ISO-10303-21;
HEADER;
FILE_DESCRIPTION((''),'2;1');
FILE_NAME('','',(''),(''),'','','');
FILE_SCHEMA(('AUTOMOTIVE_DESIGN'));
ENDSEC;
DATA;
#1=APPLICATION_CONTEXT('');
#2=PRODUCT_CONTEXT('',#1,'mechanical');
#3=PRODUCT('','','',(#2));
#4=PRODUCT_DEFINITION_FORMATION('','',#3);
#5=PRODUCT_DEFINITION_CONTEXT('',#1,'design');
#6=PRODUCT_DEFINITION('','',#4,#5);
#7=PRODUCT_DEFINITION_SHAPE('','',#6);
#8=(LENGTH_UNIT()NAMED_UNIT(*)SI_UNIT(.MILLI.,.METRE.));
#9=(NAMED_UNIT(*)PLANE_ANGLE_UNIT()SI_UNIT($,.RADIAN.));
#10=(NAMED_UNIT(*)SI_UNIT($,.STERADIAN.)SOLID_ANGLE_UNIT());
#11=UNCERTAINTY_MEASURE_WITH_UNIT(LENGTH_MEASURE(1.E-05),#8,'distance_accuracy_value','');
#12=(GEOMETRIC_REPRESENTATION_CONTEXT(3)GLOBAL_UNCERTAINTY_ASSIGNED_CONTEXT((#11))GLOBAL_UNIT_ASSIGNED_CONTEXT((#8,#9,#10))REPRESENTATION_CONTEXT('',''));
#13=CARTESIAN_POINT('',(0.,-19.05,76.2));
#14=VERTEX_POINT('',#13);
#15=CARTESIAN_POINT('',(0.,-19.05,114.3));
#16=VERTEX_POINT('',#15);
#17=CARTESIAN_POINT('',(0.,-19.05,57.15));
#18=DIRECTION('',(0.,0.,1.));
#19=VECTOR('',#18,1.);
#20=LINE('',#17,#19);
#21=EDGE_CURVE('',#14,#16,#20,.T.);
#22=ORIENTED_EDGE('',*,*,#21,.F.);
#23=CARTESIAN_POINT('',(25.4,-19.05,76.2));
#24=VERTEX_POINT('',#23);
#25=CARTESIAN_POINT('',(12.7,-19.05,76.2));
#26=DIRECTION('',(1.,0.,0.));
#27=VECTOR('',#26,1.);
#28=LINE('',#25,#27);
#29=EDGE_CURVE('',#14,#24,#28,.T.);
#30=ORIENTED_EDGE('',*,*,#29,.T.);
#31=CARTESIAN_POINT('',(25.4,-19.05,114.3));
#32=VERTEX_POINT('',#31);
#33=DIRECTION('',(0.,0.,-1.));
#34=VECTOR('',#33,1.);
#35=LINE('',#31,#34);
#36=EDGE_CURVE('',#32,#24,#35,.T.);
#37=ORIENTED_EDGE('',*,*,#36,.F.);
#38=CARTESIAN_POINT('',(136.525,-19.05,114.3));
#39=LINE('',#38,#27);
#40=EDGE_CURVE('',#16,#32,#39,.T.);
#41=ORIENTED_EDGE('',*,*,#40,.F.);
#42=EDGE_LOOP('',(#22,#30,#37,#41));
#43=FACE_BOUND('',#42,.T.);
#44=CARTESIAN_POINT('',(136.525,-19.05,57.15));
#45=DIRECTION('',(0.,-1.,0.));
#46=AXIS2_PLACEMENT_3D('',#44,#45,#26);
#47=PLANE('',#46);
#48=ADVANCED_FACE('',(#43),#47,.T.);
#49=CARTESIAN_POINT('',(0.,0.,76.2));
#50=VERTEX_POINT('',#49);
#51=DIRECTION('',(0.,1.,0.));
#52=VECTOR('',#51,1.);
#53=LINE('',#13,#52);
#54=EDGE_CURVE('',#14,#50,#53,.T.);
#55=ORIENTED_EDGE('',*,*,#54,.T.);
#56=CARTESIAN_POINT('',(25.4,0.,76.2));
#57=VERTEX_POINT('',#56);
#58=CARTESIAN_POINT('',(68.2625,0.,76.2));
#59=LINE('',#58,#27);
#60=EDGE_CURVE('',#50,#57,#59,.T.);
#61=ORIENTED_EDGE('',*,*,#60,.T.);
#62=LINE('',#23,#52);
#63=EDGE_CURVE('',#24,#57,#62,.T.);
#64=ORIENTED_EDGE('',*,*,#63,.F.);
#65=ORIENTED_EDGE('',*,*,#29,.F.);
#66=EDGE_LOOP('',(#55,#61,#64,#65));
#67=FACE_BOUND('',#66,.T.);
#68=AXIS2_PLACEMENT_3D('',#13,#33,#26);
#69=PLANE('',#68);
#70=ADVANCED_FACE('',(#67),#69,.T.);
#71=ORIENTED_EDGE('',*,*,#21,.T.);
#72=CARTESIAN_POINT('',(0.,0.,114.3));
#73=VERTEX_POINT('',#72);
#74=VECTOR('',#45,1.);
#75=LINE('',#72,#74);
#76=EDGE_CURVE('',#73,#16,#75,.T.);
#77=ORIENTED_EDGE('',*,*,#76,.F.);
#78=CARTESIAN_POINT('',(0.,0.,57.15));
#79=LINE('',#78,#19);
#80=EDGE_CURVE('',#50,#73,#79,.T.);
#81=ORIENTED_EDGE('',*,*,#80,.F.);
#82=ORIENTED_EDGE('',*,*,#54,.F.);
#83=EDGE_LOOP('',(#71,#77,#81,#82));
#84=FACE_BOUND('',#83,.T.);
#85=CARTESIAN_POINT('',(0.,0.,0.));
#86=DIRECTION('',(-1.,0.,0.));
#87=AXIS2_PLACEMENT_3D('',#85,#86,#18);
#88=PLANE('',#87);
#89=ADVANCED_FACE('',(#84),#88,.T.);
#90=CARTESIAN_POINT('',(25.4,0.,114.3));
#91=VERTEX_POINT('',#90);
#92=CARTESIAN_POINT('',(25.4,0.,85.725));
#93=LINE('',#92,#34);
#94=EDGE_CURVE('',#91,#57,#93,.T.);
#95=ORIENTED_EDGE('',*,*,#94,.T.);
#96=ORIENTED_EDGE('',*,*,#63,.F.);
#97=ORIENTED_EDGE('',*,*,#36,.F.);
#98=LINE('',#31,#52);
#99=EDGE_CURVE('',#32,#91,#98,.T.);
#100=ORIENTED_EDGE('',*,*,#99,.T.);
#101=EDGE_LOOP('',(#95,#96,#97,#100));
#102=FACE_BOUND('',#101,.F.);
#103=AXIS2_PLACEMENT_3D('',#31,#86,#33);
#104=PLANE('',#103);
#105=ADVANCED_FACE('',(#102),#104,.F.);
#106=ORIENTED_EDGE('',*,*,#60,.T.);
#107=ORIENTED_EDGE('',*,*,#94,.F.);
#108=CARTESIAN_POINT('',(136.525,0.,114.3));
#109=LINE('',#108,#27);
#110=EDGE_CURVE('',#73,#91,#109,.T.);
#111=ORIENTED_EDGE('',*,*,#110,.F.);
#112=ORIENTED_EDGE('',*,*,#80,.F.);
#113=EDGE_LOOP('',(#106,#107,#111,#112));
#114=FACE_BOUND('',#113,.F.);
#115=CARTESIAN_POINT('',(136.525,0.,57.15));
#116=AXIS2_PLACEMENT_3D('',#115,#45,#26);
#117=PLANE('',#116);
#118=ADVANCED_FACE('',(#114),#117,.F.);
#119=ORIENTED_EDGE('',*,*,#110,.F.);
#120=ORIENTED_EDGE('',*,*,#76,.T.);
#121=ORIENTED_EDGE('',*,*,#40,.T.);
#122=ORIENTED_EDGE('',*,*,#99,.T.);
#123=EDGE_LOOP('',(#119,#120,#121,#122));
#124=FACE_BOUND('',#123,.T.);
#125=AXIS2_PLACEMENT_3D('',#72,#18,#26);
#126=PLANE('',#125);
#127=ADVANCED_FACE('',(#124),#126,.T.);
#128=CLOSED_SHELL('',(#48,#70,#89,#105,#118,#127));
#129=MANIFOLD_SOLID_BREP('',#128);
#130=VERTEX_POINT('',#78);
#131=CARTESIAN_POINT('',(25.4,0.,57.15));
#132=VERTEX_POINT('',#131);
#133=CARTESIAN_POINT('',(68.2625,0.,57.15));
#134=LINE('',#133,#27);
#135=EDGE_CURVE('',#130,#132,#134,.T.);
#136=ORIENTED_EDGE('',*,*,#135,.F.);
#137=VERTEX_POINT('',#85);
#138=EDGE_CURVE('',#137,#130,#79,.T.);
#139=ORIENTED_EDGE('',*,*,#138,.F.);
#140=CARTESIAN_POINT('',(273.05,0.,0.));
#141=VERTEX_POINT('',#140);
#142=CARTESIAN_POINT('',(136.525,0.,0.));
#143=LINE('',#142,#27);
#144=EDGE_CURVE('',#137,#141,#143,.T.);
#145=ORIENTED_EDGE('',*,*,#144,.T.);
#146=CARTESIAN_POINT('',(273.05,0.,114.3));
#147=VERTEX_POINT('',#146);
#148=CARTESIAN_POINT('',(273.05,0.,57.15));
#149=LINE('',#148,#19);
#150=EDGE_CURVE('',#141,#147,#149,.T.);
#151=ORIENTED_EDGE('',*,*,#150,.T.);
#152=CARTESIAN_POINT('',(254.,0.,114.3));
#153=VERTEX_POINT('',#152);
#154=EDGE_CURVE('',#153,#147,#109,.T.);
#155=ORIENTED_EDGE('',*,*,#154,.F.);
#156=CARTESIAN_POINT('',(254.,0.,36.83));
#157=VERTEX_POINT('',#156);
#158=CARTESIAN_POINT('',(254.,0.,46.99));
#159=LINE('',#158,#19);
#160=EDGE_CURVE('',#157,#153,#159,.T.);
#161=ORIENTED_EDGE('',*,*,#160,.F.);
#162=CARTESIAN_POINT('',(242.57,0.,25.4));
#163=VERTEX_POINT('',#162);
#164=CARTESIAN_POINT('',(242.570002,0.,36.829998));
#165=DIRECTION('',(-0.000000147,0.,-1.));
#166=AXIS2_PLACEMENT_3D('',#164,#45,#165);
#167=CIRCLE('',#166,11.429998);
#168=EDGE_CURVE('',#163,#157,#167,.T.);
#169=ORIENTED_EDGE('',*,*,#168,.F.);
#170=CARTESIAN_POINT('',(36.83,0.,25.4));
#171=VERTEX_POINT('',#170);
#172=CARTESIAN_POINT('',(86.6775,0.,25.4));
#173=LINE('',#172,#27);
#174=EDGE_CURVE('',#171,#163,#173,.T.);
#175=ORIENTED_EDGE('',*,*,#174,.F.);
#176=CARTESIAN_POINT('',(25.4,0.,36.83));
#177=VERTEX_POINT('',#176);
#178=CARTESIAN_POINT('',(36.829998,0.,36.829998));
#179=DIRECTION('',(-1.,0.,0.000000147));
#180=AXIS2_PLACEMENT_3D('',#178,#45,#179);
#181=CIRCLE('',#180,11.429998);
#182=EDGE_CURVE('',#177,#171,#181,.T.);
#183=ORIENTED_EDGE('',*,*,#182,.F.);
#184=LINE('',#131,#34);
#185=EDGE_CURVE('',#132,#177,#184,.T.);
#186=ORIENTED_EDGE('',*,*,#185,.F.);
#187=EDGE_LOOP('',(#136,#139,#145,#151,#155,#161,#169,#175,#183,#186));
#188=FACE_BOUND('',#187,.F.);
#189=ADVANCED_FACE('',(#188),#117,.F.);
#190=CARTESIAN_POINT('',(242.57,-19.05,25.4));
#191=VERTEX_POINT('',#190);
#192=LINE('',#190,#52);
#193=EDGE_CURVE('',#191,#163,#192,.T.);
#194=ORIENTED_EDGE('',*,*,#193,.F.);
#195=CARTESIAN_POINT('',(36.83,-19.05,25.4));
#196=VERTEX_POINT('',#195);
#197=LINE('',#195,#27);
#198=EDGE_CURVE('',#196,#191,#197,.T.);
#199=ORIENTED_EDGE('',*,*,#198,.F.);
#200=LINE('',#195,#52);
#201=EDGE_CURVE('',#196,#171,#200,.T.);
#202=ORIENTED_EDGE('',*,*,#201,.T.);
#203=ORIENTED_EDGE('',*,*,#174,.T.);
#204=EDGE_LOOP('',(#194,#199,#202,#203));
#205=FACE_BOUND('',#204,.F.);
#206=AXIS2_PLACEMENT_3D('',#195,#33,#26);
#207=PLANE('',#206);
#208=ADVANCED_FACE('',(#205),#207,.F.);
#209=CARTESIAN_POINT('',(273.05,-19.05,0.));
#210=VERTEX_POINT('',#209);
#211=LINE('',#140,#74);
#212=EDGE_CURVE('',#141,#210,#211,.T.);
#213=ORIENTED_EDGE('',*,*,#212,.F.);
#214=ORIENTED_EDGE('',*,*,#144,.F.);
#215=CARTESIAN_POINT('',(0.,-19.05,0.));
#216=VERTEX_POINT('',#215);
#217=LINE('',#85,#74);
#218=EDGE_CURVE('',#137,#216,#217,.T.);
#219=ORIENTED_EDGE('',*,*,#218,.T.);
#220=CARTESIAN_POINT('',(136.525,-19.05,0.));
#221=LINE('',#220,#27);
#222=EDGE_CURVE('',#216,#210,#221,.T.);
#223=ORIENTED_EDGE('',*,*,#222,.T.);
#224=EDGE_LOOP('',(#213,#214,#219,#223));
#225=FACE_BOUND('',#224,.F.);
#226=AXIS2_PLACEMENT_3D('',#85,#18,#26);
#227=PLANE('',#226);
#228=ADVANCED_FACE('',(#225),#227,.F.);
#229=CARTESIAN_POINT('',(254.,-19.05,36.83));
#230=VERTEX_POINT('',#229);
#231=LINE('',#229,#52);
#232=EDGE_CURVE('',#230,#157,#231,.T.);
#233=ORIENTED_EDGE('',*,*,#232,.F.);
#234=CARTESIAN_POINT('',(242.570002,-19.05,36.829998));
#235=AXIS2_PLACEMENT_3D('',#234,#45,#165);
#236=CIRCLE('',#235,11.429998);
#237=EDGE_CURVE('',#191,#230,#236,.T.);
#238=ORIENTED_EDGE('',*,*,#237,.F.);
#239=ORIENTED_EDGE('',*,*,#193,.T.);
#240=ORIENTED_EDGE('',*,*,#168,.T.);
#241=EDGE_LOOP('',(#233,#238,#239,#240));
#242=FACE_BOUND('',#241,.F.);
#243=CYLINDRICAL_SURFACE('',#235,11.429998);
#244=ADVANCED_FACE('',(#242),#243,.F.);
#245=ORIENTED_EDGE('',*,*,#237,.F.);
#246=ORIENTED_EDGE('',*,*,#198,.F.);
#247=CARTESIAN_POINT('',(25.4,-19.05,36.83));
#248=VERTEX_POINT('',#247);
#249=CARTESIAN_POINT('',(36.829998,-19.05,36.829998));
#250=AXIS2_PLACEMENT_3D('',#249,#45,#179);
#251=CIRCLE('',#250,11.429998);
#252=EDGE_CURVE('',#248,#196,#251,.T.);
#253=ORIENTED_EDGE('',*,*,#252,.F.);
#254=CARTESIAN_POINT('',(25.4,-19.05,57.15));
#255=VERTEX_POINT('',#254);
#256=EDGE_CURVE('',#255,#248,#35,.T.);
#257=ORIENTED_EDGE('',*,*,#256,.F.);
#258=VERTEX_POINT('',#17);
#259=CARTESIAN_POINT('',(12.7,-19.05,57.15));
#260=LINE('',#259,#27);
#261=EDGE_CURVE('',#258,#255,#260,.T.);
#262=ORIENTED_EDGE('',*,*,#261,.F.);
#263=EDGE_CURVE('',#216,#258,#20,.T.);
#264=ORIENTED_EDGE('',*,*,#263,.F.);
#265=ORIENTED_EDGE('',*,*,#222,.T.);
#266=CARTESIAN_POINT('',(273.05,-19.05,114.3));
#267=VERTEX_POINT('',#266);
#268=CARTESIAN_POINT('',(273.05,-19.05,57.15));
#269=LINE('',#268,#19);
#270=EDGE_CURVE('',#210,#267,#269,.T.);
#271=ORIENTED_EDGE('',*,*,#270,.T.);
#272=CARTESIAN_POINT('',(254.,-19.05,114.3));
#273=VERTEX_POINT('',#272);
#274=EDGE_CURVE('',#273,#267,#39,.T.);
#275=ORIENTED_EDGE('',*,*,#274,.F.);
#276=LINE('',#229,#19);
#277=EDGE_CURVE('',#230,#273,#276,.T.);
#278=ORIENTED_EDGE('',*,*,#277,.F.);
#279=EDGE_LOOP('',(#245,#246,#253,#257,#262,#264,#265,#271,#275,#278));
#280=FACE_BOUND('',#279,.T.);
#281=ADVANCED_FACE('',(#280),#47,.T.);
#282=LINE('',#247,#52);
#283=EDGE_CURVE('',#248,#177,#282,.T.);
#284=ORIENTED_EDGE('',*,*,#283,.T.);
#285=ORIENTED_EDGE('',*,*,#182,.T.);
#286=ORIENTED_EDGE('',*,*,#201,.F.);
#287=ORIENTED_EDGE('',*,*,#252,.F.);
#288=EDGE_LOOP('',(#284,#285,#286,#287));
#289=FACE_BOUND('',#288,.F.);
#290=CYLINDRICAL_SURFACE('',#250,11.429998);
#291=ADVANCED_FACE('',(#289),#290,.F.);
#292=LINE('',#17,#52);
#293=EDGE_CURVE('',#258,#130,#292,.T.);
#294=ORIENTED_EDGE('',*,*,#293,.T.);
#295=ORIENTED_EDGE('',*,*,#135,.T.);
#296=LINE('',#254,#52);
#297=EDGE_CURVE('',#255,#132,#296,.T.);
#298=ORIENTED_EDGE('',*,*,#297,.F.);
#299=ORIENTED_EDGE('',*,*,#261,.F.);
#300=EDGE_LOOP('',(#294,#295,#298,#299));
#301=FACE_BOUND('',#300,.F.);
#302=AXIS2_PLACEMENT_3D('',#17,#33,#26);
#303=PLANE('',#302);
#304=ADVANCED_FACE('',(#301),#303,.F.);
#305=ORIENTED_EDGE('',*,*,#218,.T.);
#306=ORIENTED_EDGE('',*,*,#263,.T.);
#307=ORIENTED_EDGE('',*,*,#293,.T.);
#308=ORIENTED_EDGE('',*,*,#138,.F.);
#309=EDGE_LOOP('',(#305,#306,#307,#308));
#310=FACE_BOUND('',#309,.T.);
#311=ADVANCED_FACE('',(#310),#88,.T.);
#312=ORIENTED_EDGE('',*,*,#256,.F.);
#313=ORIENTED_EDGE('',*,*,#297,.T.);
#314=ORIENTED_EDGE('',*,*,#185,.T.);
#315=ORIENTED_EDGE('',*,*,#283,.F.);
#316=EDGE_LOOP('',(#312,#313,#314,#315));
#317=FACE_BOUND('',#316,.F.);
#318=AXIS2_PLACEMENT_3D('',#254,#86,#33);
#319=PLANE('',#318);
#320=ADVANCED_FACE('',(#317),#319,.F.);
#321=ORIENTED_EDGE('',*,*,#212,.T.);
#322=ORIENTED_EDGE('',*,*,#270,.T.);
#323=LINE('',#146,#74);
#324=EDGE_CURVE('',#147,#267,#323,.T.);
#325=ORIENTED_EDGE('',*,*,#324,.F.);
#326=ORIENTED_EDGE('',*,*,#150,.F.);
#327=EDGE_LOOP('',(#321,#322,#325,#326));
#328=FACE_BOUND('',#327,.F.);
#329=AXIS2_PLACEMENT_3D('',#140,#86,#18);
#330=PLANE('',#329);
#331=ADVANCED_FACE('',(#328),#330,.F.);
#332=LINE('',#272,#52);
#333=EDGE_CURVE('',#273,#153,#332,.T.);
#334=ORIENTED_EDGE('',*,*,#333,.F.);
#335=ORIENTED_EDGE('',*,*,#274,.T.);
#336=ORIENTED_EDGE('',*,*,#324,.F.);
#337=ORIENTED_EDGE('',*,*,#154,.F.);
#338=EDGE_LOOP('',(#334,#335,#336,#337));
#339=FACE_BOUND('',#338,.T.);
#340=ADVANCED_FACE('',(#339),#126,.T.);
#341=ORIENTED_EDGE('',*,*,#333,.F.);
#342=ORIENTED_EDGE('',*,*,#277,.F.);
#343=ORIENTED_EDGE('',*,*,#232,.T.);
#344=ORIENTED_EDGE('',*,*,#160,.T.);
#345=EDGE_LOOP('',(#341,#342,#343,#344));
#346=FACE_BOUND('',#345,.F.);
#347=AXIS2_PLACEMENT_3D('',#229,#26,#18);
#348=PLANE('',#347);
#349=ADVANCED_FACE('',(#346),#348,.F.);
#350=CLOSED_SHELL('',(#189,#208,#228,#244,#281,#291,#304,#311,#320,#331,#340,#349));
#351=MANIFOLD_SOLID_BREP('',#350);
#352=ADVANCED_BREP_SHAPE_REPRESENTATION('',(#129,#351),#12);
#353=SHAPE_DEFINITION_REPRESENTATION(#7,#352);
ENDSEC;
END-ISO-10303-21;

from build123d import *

# Parameters (mm, degrees)
F0_W     = 273.05
F0_H     = 114.3
F1_DEPTH = 19.05
F2_W     = 25.4
F2_H     = 19.05
F3_DEPTH = 25.4


with BuildPart() as f1:
    # F0 (on Front) → F1 (new body)
    with BuildSketch(Plane.XZ):
        with Locations((136.525, 57.15)):
            Rectangle(F0_W, F0_H)
    extrude(amount=F1_DEPTH)

    # F2 (on face) → F3 (cut)
    with BuildSketch(Plane.XZ.offset(19.05)):
        with Locations((12.7, 66.675)):
            Rectangle(F2_W, F2_H)
        with BuildLine():
            Line((25.4, 114.3), (25.4, 76.2))
            Line((25.4, 76.2), (25.4, 57.15))
            Line((25.4, 57.15), (25.4, 36.83))
            ThreePointArc((25.4, 36.83), (28.747769, 28.747769), (36.83, 25.4))
            Line((36.83, 25.4), (242.57, 25.4))
            ThreePointArc((242.57, 25.4), (250.652231, 28.747769), (254, 36.83))
            Line((254, 36.83), (254, 114.3))
            Line((254, 114.3), (25.4, 114.3))
        make_face()
    extrude(amount=-F3_DEPTH, mode=Mode.SUBTRACT)


solid = f1.part
